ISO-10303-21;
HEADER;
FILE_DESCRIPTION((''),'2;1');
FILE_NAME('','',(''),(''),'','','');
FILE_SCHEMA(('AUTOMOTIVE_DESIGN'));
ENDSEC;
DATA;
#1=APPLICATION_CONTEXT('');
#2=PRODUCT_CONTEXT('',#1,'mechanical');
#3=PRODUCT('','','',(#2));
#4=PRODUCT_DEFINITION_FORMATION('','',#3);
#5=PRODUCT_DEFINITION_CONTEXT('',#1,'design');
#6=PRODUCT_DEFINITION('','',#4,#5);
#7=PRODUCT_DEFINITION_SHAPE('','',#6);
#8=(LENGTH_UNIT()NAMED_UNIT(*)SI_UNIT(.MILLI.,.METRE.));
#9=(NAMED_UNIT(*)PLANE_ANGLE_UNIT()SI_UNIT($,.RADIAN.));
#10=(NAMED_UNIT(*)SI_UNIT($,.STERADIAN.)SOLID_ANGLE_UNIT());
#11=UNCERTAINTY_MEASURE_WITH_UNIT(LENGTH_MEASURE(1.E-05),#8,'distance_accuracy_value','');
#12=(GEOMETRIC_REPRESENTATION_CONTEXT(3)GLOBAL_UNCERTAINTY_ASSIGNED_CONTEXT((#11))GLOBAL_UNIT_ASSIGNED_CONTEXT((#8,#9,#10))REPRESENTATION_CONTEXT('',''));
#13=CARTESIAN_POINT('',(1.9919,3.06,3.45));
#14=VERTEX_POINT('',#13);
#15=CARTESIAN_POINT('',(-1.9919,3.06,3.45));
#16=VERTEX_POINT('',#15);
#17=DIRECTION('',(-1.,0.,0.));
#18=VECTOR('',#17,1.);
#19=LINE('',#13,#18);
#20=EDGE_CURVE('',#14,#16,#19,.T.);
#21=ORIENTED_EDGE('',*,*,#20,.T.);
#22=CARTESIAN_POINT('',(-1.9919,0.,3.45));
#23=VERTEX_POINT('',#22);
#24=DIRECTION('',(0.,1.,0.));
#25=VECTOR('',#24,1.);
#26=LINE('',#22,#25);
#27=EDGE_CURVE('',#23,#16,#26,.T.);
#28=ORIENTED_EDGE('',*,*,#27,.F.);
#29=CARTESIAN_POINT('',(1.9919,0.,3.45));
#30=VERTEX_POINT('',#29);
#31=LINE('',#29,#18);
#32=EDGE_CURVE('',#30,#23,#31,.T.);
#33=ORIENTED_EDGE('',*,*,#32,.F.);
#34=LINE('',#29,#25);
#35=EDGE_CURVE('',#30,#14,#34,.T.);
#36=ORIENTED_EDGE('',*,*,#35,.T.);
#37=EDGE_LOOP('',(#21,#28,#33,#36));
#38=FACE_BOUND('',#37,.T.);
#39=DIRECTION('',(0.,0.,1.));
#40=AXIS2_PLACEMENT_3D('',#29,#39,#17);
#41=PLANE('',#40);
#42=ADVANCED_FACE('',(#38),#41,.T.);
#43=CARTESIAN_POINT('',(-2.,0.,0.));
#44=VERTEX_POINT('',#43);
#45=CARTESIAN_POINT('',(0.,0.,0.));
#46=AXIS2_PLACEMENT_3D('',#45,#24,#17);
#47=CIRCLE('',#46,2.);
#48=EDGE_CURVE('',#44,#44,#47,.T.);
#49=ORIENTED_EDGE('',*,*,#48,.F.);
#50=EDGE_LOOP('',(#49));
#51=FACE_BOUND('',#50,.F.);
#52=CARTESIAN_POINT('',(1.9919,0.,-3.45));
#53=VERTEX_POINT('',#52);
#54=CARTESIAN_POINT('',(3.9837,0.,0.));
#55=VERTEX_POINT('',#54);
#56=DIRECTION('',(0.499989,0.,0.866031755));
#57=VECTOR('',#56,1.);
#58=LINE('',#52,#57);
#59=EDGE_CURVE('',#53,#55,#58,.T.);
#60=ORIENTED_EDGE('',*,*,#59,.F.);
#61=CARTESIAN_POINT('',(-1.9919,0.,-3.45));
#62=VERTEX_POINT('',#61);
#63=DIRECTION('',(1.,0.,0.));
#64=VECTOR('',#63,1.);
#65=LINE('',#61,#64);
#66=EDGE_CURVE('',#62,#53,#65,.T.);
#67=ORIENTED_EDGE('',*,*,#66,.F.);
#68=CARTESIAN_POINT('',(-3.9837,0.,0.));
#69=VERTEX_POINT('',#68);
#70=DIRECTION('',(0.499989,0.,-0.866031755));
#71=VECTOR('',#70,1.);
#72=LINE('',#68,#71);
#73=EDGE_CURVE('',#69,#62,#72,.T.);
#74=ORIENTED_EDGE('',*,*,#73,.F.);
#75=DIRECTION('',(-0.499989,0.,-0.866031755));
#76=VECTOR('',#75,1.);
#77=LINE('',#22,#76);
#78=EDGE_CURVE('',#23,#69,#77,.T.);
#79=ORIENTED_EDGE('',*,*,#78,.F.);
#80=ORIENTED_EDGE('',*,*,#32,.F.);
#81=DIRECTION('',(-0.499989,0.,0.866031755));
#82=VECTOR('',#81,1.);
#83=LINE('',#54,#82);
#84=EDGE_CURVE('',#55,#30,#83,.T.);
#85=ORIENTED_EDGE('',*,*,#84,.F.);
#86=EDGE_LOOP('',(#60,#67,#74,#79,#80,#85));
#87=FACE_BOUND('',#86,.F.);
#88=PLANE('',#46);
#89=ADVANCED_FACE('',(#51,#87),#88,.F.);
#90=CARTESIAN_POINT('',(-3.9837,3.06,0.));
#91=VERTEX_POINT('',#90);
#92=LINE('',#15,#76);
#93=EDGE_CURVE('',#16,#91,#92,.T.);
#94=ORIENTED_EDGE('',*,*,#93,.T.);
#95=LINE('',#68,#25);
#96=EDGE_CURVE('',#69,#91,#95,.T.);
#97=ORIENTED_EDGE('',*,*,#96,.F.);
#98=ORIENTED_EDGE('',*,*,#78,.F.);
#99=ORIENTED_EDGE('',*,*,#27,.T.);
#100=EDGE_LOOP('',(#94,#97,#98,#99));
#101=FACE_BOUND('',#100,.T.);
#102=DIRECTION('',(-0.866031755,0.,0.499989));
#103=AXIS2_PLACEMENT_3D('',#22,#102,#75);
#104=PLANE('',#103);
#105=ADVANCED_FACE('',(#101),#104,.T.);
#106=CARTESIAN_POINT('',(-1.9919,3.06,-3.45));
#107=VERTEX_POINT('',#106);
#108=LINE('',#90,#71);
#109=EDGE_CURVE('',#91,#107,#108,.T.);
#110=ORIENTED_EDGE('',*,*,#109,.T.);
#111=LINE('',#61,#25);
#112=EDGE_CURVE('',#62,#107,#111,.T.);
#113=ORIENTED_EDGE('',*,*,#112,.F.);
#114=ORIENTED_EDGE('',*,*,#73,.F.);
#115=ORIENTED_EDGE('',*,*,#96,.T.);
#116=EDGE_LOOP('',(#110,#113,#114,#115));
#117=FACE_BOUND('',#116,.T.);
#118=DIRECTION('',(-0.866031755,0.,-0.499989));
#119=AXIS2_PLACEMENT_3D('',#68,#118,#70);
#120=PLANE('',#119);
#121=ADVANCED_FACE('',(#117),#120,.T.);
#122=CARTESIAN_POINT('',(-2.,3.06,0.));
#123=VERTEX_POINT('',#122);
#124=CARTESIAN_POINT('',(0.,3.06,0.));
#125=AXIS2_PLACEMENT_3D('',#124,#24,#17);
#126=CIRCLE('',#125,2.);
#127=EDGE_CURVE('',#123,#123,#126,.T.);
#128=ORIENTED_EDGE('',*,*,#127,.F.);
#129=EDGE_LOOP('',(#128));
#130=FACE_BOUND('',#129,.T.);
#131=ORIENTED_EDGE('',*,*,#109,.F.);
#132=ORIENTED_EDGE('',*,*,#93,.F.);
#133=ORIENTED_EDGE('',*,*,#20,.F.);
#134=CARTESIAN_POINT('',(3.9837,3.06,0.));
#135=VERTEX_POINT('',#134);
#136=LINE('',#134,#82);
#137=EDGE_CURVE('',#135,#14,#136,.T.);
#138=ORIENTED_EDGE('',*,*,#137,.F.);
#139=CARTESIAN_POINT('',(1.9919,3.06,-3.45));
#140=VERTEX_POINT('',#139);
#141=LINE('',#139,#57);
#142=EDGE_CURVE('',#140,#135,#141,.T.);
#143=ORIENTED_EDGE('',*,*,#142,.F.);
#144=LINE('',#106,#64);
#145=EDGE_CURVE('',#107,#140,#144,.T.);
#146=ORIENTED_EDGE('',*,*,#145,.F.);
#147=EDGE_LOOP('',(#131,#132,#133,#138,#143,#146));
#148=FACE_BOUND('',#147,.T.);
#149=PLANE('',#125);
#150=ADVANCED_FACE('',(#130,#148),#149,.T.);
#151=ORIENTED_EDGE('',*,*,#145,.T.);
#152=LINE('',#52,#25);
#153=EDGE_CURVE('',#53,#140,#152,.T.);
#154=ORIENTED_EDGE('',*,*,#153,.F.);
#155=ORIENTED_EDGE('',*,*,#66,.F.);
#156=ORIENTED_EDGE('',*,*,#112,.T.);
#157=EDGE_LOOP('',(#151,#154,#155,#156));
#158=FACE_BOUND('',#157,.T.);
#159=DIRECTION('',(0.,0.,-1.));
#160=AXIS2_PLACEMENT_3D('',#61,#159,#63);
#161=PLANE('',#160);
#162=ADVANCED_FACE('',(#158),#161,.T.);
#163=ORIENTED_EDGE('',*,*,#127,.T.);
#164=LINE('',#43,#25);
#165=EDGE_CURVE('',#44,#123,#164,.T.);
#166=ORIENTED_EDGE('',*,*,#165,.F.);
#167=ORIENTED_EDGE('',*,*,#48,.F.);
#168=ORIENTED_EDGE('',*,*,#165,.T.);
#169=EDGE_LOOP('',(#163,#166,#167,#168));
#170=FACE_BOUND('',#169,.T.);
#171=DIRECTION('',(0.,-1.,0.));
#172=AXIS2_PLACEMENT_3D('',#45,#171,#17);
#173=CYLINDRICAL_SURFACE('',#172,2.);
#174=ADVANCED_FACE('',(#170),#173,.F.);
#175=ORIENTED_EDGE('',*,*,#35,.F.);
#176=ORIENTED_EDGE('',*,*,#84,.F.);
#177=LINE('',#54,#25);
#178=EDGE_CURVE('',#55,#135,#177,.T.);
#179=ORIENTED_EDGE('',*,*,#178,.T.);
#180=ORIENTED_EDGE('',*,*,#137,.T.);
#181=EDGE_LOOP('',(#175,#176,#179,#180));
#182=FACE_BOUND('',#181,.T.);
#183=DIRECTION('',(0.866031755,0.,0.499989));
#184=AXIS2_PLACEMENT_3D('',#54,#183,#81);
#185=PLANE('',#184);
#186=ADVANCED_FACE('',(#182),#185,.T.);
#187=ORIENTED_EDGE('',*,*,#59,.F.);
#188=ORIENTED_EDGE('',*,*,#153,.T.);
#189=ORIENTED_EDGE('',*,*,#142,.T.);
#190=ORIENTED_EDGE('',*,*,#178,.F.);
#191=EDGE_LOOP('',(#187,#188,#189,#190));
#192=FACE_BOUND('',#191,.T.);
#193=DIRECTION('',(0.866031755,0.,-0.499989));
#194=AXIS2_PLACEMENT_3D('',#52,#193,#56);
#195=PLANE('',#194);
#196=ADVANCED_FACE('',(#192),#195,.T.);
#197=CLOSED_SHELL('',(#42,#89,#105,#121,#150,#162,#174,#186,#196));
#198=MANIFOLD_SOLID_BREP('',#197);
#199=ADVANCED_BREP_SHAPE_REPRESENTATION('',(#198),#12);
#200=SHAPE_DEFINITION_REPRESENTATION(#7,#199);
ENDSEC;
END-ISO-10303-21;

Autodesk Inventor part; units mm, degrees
ref_plane "YZ Plane" through (0, 0, 0) normal (1, 0, 0) x (0, 1, 0)
ref_plane "XZ Plane" through (0, 0, 0) normal (0, 1, 0) x (-1, 0, 0)
ref_plane "XY Plane" through (0, 0, 0) normal (0, 0, 1) x (1, 0, 0)
sketch "Sketch1" plane through (0, 0, 0) normal (0, 1, 0) x (-1, 0, 0)
  circle A0 centre (0, 0) radius 2
  line L0 (-1.9919, -3.45) -> (-3.9837, 0)
  line L1 (-3.9837, 0) -> (-1.9919, 3.45)
  line L2 (-1.9919, 3.45) -> (1.9919, 3.45)
  line L3 (1.9919, 3.45) -> (3.9837, 0)
  line L4 (3.9837, 0) -> (1.9919, -3.45)
  line L5 (1.9919, -3.45) -> (-1.9919, -3.45)
  line L6 (0, 0) -> (9.6963, 0) construction
  dimension "d0" = 6.9
  dimension "d1" = 4
extrude "Extrusion1" add sketch "Sketch1" along normal blind 3.06
thread "Thread1" size "M4x0.7" class "6H" standard "ISO Metric profile" length 180
properties part number "M4 nut"
